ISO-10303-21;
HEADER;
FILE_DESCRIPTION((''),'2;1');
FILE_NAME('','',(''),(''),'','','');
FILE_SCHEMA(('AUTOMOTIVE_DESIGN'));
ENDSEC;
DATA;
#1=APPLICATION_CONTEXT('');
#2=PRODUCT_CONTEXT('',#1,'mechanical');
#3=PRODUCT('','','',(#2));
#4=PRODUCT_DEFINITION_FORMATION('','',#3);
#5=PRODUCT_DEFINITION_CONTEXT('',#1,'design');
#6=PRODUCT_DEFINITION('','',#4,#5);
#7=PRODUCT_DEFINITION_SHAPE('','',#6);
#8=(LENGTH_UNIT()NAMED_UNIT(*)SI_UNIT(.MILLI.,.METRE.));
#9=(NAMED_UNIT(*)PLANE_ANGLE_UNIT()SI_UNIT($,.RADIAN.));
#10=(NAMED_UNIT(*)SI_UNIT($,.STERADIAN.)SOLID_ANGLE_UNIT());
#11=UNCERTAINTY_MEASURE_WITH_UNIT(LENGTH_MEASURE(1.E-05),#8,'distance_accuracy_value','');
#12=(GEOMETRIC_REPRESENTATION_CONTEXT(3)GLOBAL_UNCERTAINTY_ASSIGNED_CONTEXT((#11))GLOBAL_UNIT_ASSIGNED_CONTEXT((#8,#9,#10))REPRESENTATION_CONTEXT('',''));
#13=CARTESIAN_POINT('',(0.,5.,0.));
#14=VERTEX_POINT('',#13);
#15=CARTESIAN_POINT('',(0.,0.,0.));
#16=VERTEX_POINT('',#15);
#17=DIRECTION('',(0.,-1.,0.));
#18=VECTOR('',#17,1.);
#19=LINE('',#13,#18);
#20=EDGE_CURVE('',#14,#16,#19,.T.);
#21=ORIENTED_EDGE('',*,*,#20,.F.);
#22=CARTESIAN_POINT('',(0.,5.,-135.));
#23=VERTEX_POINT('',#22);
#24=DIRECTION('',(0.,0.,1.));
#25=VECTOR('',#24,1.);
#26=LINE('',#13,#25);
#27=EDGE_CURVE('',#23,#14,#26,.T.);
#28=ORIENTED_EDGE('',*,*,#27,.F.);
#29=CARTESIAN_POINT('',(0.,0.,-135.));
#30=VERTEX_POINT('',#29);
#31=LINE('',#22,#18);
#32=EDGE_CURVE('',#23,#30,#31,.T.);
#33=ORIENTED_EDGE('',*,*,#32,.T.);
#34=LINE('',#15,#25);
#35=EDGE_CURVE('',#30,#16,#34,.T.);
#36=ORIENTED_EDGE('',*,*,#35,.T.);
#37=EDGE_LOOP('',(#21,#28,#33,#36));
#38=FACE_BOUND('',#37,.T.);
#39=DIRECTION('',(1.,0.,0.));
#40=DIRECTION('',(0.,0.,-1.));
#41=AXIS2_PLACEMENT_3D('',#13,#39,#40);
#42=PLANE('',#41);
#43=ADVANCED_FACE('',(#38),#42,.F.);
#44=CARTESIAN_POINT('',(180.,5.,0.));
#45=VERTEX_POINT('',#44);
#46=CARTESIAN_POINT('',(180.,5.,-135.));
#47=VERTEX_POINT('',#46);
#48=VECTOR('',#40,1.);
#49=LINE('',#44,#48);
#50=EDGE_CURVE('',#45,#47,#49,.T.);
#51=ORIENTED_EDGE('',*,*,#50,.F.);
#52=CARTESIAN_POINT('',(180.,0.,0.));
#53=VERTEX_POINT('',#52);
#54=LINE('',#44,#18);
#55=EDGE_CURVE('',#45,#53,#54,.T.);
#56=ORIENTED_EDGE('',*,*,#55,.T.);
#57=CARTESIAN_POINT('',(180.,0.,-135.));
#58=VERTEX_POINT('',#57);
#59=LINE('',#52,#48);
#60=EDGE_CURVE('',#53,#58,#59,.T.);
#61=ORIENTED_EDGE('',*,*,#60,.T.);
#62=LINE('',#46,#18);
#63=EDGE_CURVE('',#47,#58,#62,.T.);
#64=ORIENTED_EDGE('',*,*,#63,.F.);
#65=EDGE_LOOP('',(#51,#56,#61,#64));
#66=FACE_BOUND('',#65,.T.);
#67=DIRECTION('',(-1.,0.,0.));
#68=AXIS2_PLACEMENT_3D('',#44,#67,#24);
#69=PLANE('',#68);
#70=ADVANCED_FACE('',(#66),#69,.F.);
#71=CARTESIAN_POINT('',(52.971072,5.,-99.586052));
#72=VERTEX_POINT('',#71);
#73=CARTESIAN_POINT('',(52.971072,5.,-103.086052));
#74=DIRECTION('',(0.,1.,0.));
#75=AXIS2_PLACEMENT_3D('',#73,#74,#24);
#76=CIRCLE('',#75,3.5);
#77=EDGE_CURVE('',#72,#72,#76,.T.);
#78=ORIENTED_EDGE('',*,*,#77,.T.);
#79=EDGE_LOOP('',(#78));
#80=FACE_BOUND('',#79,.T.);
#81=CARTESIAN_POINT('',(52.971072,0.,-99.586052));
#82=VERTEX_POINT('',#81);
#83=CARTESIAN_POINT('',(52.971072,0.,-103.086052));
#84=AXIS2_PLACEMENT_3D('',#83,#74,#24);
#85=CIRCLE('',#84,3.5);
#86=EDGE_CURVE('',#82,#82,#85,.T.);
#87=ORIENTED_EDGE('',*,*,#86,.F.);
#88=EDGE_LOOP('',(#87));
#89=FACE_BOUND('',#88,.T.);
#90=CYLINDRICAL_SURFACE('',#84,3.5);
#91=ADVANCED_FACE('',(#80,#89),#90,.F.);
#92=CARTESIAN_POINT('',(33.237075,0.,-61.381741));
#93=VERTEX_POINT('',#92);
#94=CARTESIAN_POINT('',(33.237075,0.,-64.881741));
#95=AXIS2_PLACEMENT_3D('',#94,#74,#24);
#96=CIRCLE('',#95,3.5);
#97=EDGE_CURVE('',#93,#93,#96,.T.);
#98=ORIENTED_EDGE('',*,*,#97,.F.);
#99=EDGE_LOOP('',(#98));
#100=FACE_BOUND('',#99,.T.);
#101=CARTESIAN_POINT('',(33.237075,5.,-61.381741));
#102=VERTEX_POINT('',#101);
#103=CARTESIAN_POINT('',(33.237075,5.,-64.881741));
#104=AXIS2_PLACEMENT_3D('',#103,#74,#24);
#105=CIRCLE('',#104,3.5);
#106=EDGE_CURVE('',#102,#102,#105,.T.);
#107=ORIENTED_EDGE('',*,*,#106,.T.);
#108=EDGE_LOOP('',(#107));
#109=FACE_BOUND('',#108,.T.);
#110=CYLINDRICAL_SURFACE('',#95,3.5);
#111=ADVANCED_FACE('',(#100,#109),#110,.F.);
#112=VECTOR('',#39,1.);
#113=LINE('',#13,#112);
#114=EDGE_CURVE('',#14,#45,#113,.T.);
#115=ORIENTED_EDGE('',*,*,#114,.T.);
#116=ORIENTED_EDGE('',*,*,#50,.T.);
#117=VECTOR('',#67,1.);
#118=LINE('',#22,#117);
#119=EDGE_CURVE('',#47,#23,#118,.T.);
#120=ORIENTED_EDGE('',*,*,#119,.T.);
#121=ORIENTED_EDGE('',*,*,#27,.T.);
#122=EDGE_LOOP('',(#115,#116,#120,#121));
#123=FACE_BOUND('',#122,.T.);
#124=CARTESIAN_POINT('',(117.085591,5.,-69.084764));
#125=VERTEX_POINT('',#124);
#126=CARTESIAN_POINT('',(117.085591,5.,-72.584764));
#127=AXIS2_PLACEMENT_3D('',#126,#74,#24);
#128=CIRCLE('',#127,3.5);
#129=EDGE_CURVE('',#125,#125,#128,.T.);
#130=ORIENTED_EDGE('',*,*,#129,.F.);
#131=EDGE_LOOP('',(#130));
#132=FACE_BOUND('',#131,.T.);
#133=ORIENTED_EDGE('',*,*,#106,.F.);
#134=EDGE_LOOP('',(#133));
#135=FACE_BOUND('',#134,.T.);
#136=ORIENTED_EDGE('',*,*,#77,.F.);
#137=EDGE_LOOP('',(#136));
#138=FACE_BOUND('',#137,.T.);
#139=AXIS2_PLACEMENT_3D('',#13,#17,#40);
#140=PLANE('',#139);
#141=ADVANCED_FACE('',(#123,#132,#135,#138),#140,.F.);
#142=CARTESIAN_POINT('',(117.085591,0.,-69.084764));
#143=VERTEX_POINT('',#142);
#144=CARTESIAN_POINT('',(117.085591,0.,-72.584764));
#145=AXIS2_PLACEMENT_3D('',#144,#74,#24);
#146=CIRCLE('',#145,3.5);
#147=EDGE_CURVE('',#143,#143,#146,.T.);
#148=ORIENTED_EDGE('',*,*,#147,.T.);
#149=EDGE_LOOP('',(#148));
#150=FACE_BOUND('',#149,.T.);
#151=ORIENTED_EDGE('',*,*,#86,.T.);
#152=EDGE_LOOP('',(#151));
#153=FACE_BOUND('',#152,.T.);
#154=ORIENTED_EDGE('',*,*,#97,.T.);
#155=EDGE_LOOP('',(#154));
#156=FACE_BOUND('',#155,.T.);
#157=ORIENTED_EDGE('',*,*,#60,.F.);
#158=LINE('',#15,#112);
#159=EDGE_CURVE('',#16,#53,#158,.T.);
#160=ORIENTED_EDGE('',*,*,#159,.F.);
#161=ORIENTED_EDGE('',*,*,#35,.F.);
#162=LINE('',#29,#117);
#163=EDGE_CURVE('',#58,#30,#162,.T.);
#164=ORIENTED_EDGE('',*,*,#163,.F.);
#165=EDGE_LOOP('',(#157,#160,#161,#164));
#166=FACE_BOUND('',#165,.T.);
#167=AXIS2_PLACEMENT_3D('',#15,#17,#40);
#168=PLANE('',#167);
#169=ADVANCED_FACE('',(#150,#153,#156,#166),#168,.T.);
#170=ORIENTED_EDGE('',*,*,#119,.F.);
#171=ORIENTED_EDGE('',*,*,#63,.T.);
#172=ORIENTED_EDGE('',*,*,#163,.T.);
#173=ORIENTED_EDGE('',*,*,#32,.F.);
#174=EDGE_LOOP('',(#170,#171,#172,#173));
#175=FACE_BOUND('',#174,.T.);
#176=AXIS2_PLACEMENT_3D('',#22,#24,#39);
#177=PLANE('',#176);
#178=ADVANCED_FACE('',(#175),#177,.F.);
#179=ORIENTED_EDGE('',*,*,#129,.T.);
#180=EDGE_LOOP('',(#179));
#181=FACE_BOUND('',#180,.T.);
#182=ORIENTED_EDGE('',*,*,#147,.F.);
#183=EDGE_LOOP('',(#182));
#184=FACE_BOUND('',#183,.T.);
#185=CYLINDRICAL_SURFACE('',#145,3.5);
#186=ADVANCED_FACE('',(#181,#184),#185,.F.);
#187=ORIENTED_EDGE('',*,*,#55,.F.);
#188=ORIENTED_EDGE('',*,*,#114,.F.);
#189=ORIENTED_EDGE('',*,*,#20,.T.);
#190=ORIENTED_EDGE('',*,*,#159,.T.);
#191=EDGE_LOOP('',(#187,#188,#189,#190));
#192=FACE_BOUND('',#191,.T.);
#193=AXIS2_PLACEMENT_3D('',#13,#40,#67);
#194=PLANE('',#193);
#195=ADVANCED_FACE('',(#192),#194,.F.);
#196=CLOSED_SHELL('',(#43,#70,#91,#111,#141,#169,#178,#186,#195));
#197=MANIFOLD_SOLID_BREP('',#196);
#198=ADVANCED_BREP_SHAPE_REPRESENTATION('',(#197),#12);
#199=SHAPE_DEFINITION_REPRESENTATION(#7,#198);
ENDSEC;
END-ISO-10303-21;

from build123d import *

# Parameters (mm, degrees)
SKETCH1_W           = 180
SKETCH1_H           = 135
BOSS_EXTRUDE1_DEPTH = 5
SKETCH5_OUTSIDE_W   = 227.012
SKETCH5_OUTSIDE_H   = 182.012
SKETCH5_OUTSIDE_W_2 = 180
SKETCH5_OUTSIDE_H_2 = 135
SKETCH5_OUTSIDE_R   = 3.5
CUT_EXTRUDE2_DEPTH  = 226.055548699


with BuildPart() as part:
    # Sketch1 → Boss-Extrude1 (new body)
    with BuildSketch(Plane(origin=(0, 0, 0), x_dir=(1, 0, 0), z_dir=(0, 1, 0))):
        with Locations((90, 67.5)):
            Rectangle(SKETCH1_W, SKETCH1_H)
    extrude(amount=BOSS_EXTRUDE1_DEPTH)

    # Sketch5 outside → Cut-Extrude2 (cut, through all)
    # profile 1 of 4: a face of its own
    with BuildSketch(Plane(origin=(0, 5, 0), x_dir=(1, 0, 0), z_dir=(0, 1, 0))):
        with Locations((90, 67.5)):
            Rectangle(SKETCH5_OUTSIDE_W, SKETCH5_OUTSIDE_H)
        with Locations((90, 67.5)):
            Rectangle(SKETCH5_OUTSIDE_W_2, SKETCH5_OUTSIDE_H_2, mode=Mode.SUBTRACT)
    # profile 2 of 4: a face of its own
    with BuildSketch(Plane(origin=(0, 5, 0), x_dir=(1, 0, 0), z_dir=(0, 1, 0))):
        with Locations(Location((52.971072195, 103.086051909, 0), (0, 0, 270))):
            Circle(SKETCH5_OUTSIDE_R)
    # profile 3 of 4: a face of its own
    with BuildSketch(Plane(origin=(0, 5, 0), x_dir=(1, 0, 0), z_dir=(0, 1, 0))):
        with Locations(Location((117.085590552, 72.584764462, 0), (0, 0, 270))):
            Circle(SKETCH5_OUTSIDE_R)
    # profile 4 of 4: a face of its own
    with BuildSketch(Plane(origin=(0, 5, 0), x_dir=(1, 0, 0), z_dir=(0, 1, 0))):
        with Locations(Location((33.237075338, 64.881741052, 0), (0, 0, 270))):
            Circle(SKETCH5_OUTSIDE_R)
    extrude(amount=-CUT_EXTRUDE2_DEPTH, mode=Mode.SUBTRACT)


solid = part.part
